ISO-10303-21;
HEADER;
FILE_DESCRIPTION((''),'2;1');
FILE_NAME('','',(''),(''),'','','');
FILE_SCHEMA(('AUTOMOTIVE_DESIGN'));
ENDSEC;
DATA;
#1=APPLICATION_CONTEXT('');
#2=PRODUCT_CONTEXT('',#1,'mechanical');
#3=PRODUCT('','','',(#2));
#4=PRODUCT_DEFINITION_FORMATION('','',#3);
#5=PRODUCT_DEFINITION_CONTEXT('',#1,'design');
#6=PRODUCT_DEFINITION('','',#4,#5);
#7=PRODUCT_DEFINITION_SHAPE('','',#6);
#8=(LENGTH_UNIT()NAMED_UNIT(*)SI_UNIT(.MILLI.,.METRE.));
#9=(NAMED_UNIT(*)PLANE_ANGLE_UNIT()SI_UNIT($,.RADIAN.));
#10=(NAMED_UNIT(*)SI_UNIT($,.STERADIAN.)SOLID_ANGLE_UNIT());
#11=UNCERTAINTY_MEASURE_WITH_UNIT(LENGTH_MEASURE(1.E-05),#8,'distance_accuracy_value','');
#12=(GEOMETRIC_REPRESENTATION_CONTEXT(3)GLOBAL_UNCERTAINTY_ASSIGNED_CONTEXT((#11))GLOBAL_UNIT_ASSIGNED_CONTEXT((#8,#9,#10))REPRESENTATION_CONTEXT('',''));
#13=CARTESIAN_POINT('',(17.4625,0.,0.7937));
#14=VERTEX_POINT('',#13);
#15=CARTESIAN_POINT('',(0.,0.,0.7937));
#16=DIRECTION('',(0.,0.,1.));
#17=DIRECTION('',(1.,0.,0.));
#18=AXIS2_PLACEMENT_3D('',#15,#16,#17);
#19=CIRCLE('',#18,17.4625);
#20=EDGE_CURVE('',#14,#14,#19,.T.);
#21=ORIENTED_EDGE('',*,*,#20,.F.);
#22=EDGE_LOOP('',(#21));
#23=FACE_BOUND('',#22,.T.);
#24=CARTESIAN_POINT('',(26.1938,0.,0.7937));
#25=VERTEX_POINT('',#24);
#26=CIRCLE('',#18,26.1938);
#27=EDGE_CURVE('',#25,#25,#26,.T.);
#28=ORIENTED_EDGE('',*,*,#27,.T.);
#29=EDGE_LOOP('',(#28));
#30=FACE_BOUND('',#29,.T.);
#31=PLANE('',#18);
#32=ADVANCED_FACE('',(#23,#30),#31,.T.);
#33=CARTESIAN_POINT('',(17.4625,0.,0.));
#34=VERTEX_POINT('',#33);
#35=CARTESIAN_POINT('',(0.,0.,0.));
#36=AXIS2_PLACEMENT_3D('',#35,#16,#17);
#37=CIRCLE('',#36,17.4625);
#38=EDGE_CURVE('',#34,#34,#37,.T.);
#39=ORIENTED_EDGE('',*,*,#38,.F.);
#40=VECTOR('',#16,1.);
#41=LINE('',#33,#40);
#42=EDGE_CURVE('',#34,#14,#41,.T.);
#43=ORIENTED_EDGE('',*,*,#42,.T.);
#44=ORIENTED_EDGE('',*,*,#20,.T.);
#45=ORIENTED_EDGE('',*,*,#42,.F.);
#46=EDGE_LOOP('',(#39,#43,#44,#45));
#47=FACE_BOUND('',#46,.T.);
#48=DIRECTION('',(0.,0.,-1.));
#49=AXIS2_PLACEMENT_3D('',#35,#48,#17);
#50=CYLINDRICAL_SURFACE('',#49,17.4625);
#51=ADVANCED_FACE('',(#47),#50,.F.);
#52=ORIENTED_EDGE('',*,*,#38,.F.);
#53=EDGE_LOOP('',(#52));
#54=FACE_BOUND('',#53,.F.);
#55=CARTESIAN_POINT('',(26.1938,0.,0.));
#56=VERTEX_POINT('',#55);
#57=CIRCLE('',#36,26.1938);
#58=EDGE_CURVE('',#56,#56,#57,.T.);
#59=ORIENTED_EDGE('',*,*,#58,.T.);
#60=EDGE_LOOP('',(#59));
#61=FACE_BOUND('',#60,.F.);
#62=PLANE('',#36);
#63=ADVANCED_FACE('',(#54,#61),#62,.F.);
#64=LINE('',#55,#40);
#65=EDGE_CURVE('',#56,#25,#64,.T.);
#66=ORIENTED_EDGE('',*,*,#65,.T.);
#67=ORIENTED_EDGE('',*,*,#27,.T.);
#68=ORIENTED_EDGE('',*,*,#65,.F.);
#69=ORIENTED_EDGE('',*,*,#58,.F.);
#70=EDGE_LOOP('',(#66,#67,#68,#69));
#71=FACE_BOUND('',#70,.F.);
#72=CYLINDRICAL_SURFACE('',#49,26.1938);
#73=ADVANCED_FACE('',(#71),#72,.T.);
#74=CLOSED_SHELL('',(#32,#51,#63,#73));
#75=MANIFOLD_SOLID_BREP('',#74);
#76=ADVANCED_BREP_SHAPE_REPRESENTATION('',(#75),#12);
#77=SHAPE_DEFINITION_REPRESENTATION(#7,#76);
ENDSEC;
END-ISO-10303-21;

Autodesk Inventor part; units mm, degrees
ref_plane "YZ Plane" through (0, 0, 0) normal (1, 0, 0) x (0, 1, 0)
ref_plane "XZ Plane" through (0, 0, 0) normal (0, 1, 0) x (-1, 0, 0)
ref_plane "XY Plane" through (0, 0, 0) normal (0, 0, 1) x (1, 0, 0)
sketch "Sketch1" plane through (0, 0, 0) normal (0, 0, 1) x (1, 0, 0)
  circle A0 centre (0, 0) radius 17.4625
  circle A1 centre (0, 0) radius 26.1938
  dimension "d0" = 34.925
  dimension "d2" = 52.3875
extrude "Extrusion1" add sketch "Sketch1" along normal blind 0.7937
properties part number "Thrust Washer .125 Thick 1.000 Shaft Diameter"
